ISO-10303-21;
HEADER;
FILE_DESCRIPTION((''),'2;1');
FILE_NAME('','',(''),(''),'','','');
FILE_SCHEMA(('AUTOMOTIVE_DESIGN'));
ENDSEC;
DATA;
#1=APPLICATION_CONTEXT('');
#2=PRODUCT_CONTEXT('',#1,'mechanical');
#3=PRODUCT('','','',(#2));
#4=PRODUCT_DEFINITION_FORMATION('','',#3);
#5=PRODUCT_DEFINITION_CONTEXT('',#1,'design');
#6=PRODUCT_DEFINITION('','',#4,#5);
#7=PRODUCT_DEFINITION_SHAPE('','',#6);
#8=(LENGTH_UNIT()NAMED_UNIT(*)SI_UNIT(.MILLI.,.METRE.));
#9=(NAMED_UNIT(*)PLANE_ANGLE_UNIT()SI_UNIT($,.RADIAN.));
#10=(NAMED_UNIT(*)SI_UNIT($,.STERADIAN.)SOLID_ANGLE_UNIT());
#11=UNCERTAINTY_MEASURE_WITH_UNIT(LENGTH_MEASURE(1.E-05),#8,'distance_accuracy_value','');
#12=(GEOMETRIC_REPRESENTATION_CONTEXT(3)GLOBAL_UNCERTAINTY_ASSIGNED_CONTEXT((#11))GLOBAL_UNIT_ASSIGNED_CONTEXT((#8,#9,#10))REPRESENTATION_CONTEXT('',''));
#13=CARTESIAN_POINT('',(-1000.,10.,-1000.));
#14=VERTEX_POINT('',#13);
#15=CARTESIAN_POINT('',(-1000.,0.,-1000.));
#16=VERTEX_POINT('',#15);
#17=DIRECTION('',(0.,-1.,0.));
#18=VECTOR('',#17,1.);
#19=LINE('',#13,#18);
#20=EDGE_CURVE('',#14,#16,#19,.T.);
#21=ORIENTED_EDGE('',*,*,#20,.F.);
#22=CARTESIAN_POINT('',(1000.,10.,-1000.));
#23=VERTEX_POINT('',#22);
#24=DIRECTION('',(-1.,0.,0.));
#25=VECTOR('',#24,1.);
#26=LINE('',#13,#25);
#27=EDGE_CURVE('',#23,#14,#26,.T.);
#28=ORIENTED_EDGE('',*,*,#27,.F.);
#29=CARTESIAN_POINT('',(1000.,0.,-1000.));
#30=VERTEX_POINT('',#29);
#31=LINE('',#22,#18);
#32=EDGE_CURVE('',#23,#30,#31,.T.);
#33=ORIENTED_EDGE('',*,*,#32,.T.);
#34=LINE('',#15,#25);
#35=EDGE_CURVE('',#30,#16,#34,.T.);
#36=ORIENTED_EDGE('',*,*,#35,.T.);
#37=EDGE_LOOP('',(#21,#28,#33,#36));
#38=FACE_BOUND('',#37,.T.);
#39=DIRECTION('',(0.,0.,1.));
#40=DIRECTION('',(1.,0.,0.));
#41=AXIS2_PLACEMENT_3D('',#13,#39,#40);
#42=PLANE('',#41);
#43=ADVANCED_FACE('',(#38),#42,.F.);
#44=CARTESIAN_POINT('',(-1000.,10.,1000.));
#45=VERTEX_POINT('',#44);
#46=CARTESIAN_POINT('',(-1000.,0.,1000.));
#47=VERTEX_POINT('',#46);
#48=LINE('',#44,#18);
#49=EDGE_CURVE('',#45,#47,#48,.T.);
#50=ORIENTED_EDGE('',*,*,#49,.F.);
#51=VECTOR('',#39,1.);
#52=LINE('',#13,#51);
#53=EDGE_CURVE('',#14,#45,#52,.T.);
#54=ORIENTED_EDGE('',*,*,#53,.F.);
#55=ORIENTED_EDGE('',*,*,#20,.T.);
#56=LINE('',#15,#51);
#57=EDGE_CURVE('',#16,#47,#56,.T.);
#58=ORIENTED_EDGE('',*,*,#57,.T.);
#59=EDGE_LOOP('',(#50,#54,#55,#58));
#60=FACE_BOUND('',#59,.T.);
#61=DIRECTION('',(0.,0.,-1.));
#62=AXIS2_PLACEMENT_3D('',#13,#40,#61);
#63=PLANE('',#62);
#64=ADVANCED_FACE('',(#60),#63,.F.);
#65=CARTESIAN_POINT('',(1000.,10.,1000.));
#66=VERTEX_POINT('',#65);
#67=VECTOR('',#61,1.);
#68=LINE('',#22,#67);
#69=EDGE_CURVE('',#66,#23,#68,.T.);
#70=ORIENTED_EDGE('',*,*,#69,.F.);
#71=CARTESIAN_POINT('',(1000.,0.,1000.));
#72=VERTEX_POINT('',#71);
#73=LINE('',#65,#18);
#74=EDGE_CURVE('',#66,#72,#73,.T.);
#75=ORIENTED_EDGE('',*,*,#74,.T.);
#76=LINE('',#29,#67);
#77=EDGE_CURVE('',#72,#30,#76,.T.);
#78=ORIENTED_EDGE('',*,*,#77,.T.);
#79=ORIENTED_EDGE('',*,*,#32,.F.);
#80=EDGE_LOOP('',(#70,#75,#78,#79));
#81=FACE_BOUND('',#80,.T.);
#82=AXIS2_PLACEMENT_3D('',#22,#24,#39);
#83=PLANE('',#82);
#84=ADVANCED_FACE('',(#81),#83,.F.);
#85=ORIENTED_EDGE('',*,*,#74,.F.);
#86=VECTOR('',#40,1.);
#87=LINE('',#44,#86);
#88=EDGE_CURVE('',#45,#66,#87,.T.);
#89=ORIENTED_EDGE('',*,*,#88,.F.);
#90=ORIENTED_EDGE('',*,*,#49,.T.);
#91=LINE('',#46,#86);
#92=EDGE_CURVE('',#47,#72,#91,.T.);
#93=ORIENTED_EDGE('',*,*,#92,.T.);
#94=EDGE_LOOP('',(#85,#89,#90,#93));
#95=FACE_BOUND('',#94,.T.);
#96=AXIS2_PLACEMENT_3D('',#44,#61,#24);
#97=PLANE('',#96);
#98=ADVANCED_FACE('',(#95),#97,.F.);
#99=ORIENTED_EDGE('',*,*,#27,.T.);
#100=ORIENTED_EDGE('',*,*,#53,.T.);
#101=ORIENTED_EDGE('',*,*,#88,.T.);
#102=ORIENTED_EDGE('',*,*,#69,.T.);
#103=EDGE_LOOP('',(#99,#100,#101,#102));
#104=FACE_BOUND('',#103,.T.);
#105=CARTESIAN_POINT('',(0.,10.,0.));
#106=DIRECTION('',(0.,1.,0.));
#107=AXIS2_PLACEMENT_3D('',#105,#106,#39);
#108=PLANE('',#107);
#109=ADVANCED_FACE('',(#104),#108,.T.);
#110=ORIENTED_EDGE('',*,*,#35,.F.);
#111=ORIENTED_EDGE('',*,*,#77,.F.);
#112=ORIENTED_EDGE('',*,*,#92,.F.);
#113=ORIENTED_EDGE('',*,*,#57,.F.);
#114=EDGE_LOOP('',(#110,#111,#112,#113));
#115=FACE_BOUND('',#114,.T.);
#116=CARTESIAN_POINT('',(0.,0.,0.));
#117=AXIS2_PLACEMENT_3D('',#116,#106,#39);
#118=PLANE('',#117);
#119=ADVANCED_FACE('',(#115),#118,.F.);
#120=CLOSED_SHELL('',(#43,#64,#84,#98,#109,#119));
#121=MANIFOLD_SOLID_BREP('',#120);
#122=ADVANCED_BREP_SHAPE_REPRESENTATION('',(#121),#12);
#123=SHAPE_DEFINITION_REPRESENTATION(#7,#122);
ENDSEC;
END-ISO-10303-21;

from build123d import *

# Parameters (mm, degrees)
SKETCH_1_W      = 2000
SKETCH_1_H      = 2000
EXTRUDE_1_DEPTH = 10


with BuildPart() as part:
    # Эскиз1 → Бобышка-Вытянуть1 (new body)
    with BuildSketch(Plane(origin=(0, 0, 0), x_dir=(1, 0, 0), z_dir=(0, 1, 0))):
        Rectangle(SKETCH_1_W, SKETCH_1_H)
    extrude(amount=EXTRUDE_1_DEPTH)


solid = part.part
